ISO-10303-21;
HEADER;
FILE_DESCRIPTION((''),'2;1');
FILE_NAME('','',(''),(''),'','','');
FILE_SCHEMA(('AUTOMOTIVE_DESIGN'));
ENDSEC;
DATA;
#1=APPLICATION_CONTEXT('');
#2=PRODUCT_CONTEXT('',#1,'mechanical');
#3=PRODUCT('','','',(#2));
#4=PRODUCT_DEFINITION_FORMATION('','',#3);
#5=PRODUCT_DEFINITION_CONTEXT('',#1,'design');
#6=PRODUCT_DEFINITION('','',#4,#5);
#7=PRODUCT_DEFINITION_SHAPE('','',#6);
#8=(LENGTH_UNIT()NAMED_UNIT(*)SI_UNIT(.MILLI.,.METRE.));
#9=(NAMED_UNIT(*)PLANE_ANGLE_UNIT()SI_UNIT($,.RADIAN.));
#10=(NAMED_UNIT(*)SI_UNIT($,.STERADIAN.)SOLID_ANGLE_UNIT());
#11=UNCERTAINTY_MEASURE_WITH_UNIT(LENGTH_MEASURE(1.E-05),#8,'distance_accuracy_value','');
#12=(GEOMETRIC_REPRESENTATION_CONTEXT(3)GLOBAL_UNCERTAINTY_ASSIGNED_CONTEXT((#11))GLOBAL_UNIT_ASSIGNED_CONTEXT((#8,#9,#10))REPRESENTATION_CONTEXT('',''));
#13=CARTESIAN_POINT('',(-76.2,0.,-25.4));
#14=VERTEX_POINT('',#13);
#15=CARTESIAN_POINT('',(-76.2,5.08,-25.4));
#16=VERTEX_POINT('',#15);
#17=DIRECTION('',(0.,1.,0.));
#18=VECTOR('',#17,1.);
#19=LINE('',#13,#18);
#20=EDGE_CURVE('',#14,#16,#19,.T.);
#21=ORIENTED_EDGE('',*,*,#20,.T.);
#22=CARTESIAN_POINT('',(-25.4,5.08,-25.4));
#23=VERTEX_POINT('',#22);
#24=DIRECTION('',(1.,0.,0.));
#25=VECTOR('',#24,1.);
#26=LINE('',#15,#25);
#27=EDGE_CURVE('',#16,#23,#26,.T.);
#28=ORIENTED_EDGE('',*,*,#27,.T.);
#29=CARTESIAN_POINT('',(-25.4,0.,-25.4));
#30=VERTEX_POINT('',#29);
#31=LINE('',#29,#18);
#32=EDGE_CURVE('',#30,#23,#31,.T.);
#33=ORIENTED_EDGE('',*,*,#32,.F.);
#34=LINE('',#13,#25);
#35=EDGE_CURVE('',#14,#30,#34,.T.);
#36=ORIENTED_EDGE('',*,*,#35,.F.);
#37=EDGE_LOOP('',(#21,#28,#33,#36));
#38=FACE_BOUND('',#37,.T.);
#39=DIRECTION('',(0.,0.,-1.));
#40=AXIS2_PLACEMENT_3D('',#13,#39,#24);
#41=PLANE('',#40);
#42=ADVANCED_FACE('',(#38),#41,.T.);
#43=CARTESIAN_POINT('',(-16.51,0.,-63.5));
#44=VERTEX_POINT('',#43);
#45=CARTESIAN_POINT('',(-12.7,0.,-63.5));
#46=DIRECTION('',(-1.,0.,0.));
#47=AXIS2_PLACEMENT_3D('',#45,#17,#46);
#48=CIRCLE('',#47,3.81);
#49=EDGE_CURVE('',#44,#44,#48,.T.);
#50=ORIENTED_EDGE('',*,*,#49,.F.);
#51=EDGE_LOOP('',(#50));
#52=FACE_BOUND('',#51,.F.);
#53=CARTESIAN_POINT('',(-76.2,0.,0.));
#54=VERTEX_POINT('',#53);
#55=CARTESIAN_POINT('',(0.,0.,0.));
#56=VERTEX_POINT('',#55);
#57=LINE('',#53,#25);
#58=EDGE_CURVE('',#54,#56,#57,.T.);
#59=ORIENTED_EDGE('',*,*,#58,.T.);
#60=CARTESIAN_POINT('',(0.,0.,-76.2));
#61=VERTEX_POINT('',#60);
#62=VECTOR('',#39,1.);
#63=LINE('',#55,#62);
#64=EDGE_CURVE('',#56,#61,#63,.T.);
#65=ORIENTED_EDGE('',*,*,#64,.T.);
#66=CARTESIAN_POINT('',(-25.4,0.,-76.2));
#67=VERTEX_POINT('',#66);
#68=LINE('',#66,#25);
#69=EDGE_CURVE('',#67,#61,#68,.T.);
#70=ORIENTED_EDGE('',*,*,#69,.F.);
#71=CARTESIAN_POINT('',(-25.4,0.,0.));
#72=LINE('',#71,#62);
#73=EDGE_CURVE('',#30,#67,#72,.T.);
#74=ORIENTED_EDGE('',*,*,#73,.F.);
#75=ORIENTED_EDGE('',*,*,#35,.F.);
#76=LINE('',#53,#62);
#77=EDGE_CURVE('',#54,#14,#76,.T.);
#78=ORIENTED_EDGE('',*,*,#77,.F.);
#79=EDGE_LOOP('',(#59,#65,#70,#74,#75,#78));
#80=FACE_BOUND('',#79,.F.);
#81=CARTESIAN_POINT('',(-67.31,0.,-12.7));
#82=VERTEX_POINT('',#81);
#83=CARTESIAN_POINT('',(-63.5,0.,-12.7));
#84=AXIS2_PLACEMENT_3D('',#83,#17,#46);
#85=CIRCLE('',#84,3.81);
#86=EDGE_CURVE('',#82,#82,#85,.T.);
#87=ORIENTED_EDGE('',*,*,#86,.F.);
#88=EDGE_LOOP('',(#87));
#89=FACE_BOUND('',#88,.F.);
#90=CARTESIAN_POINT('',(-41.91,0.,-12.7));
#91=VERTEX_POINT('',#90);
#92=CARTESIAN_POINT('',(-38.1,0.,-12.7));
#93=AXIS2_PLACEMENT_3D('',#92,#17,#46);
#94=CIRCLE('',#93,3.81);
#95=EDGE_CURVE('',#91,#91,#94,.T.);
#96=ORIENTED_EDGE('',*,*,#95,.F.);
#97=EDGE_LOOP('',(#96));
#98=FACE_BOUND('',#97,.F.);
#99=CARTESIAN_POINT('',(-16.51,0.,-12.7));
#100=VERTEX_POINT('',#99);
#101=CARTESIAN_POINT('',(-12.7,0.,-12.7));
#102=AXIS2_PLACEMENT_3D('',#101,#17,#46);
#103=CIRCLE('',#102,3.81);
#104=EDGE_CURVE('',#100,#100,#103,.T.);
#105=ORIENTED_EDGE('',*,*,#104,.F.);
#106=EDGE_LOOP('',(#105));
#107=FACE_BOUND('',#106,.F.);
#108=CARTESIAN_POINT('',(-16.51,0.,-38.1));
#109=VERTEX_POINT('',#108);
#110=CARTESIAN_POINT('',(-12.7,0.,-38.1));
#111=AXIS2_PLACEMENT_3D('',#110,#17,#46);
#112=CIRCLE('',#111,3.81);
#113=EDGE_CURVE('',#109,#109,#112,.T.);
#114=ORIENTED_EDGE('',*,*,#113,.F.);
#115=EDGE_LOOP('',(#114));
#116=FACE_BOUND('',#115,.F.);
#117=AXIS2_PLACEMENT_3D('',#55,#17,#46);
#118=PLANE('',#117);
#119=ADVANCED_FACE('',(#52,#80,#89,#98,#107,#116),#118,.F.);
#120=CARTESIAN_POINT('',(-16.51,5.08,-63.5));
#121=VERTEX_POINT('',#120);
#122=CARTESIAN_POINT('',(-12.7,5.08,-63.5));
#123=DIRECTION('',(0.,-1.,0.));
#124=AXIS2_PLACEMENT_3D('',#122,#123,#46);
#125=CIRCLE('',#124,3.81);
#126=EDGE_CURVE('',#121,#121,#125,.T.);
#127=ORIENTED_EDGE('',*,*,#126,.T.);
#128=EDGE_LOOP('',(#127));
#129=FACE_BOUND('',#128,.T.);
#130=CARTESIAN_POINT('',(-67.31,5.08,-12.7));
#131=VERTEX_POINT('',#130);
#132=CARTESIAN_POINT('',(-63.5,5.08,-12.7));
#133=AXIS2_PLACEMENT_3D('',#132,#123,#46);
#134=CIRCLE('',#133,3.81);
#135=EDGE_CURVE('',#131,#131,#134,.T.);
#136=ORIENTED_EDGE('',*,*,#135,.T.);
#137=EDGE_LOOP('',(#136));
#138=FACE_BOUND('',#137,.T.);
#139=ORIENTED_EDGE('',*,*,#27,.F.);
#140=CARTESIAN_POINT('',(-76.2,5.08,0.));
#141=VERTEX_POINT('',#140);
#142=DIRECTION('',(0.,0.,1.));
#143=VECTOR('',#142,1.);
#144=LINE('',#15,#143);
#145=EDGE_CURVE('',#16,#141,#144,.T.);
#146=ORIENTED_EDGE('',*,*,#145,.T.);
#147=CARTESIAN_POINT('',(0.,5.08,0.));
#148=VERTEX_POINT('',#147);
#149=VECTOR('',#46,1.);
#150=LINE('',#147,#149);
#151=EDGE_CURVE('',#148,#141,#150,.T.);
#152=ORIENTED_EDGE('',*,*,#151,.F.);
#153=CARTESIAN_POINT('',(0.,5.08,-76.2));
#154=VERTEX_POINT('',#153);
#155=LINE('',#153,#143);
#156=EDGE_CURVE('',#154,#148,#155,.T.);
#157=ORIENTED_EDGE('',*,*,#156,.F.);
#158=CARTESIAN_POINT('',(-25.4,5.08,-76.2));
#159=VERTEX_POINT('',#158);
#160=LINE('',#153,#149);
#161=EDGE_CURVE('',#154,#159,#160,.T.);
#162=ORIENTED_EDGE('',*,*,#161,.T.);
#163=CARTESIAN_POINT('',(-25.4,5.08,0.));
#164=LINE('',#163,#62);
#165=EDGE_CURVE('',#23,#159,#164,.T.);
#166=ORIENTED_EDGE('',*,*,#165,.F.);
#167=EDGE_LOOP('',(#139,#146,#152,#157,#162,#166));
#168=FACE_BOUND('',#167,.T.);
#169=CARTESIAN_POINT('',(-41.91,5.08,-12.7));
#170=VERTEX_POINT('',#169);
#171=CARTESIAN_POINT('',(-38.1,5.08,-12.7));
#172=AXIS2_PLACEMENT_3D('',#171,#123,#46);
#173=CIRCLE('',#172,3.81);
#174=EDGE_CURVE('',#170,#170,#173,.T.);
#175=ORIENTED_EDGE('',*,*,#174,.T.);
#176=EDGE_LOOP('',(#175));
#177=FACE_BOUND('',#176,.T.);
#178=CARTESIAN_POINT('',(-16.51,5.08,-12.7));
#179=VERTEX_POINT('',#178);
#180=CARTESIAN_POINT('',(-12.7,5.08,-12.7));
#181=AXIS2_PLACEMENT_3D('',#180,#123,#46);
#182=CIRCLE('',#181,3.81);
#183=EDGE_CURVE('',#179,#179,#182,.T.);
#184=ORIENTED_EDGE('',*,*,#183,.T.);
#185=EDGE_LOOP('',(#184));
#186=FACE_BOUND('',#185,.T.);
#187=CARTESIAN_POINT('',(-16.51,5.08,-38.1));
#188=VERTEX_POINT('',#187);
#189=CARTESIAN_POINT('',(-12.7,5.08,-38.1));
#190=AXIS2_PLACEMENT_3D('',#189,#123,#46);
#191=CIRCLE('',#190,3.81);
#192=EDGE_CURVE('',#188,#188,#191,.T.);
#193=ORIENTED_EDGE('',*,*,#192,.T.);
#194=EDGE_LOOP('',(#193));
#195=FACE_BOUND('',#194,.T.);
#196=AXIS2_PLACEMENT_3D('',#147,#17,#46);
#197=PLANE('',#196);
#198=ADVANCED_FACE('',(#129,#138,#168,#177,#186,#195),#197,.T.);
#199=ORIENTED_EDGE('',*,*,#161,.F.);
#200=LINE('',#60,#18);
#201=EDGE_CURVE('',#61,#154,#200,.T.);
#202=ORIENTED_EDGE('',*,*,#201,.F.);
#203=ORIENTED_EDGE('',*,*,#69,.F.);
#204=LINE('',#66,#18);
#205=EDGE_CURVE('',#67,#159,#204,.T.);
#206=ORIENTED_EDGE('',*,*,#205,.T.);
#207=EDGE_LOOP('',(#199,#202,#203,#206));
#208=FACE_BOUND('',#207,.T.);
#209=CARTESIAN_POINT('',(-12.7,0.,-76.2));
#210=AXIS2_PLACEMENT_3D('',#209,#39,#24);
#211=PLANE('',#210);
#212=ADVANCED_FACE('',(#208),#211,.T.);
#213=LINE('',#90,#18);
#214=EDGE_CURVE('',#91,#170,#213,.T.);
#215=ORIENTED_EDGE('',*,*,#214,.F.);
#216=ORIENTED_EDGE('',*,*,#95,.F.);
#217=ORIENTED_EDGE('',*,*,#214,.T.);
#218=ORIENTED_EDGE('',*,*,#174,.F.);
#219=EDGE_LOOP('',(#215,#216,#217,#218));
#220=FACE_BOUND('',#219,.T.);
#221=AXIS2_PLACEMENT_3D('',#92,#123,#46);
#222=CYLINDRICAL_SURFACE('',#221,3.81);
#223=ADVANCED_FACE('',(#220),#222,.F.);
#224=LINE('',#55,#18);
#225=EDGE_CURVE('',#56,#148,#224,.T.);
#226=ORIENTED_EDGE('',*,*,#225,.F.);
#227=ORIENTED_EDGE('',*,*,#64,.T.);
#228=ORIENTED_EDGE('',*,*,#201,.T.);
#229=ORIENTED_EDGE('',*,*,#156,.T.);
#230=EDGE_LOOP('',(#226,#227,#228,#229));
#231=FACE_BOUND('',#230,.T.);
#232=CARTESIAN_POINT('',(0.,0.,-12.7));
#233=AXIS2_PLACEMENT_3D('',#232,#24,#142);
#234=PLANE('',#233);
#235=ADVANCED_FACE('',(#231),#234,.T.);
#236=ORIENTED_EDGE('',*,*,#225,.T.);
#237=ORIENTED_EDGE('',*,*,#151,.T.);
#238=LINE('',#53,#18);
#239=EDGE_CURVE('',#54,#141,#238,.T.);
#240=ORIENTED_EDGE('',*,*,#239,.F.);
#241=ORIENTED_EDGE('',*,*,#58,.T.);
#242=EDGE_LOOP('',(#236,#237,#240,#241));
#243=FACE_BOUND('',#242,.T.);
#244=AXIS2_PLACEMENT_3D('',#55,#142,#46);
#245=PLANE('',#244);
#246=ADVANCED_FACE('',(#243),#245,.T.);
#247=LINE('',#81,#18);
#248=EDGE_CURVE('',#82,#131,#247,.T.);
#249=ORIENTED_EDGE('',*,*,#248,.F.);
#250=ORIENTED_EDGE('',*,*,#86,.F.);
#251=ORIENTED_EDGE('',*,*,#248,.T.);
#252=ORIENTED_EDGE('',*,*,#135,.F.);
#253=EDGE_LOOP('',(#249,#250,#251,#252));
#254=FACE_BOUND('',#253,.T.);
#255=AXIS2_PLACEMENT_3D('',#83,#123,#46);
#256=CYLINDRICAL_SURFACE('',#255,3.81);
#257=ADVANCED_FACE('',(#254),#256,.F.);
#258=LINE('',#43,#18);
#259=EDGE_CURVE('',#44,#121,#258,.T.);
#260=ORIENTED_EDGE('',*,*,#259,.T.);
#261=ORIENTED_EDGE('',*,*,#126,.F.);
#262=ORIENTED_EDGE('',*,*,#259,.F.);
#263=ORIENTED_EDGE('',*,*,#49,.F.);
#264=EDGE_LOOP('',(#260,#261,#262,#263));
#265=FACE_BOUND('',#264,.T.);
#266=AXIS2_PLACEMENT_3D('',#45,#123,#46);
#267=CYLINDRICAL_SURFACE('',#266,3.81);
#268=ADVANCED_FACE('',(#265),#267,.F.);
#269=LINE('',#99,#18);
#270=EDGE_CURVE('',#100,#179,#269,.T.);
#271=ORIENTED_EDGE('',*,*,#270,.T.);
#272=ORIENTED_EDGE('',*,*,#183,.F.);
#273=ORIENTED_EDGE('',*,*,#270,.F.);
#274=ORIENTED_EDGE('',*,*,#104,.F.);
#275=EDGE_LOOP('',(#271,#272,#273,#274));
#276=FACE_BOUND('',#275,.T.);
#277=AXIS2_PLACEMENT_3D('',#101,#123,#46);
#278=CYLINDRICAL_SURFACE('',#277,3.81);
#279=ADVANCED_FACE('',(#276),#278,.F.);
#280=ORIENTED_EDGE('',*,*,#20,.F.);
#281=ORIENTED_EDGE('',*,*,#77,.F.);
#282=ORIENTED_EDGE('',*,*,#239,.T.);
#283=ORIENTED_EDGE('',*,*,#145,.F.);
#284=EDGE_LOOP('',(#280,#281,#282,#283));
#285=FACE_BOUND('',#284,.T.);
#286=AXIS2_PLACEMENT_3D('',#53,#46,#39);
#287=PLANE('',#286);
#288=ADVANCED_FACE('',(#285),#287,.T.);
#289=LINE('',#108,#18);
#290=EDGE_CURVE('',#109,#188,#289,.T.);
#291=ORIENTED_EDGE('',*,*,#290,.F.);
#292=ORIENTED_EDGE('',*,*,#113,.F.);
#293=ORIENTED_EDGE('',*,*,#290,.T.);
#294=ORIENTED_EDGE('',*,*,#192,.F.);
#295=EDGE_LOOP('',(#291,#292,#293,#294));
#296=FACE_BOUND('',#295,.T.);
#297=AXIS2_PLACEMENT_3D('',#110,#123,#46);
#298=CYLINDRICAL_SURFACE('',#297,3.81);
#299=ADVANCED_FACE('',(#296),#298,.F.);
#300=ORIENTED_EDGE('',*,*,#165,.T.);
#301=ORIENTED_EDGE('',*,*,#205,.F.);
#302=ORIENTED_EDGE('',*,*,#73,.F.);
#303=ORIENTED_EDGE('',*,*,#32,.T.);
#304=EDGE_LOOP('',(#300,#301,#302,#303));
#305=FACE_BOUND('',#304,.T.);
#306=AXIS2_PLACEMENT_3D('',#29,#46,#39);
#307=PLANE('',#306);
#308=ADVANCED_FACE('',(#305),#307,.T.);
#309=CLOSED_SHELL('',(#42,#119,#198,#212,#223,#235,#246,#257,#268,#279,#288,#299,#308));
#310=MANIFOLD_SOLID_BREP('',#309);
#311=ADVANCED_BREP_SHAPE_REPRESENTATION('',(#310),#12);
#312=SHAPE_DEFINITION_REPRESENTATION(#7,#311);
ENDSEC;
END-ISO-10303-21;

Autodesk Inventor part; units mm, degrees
ref_plane "YZ Plane" through (0, 0, 0) normal (1, 0, 0) x (0, 1, 0)
ref_plane "XZ Plane" through (0, 0, 0) normal (0, 1, 0) x (-1, 0, 0)
ref_plane "XY Plane" through (0, 0, 0) normal (0, 0, 1) x (1, 0, 0)
sketch "Sketch1" plane through (0, 0, 0) normal (0, 1, 0) x (-1, 0, 0)
  line L0 (0, 0) -> (25.4, 0)
  line L1 (25.4, 0) -> (25.4, -76.2)
  line L2 (25.4, -76.2) -> (0, -76.2)
  line L3 (0, -76.2) -> (0, 0)
  line L4 (0, 0) -> (76.2, 0)
  line L5 (76.2, 0) -> (76.2, -25.4)
  line L6 (76.2, -25.4) -> (0, -25.4)
  line L7 (0, -25.4) -> (0, 0)
  line L8 (76.2, -12.7) -> (0, -12.7)
  line L9 (12.7, -76.2) -> (12.7, 0)
  line L10 (12.7, -12.7) -> (38.1, -12.7)
  line L11 (38.1, -12.7) -> (63.5, -12.7)
  line L12 (12.7, -12.7) -> (12.7, -38.1)
  line L13 (12.7, -38.1) -> (12.7, -63.5)
  circle A0 centre (12.7, -12.7) radius 3.81
  circle A1 centre (38.1, -12.7) radius 3.81
  circle A2 centre (63.5, -12.7) radius 3.81
  circle A3 centre (12.7, -38.1) radius 3.81
  circle A4 centre (12.7, -63.5) radius 3.81
  line L14 (76.2, -25.4) -> (25.4, -76.2)
  point P0 (25.4, -25.4)
  dimension "d0" = 25.4
  dimension "d1" = 76.2
  dimension "d2" = 76.2
  dimension "d3" = 25.4
  dimension "d4" = 25.4
  dimension "d5" = 25.4
  dimension "d6" = 25.4
  dimension "d7" = 25.4
  dimension "d8" = 7.62
  dimension "d9" = 7.62
  dimension "d10" = 7.62
  dimension "d11" = 7.62
  dimension "d12" = 7.62
extrude "Extrusion1" add sketch "Sketch1" along normal blind 5.08 contours L0 L9 A0 L8 L3 | L0 L1 L8 A0 L9 | L8 A0 L9 L6 L3 | L4 L5 L8 A2 A1 L1 | L6 L9 A3 A4 L2 L3 | L8 A1 A2 L5 L6 L1 | L1 L6 L9 A0 L8 | L6 L1 L2 L9 A4 A3
equation "\"d9\" = d8"
equation "\"d10\" = d8"
equation "\"d11\" = d8"
equation "\"d12\" = d8"
properties part number "corner_bracket_flush" material "Acetal Resin, Black"
